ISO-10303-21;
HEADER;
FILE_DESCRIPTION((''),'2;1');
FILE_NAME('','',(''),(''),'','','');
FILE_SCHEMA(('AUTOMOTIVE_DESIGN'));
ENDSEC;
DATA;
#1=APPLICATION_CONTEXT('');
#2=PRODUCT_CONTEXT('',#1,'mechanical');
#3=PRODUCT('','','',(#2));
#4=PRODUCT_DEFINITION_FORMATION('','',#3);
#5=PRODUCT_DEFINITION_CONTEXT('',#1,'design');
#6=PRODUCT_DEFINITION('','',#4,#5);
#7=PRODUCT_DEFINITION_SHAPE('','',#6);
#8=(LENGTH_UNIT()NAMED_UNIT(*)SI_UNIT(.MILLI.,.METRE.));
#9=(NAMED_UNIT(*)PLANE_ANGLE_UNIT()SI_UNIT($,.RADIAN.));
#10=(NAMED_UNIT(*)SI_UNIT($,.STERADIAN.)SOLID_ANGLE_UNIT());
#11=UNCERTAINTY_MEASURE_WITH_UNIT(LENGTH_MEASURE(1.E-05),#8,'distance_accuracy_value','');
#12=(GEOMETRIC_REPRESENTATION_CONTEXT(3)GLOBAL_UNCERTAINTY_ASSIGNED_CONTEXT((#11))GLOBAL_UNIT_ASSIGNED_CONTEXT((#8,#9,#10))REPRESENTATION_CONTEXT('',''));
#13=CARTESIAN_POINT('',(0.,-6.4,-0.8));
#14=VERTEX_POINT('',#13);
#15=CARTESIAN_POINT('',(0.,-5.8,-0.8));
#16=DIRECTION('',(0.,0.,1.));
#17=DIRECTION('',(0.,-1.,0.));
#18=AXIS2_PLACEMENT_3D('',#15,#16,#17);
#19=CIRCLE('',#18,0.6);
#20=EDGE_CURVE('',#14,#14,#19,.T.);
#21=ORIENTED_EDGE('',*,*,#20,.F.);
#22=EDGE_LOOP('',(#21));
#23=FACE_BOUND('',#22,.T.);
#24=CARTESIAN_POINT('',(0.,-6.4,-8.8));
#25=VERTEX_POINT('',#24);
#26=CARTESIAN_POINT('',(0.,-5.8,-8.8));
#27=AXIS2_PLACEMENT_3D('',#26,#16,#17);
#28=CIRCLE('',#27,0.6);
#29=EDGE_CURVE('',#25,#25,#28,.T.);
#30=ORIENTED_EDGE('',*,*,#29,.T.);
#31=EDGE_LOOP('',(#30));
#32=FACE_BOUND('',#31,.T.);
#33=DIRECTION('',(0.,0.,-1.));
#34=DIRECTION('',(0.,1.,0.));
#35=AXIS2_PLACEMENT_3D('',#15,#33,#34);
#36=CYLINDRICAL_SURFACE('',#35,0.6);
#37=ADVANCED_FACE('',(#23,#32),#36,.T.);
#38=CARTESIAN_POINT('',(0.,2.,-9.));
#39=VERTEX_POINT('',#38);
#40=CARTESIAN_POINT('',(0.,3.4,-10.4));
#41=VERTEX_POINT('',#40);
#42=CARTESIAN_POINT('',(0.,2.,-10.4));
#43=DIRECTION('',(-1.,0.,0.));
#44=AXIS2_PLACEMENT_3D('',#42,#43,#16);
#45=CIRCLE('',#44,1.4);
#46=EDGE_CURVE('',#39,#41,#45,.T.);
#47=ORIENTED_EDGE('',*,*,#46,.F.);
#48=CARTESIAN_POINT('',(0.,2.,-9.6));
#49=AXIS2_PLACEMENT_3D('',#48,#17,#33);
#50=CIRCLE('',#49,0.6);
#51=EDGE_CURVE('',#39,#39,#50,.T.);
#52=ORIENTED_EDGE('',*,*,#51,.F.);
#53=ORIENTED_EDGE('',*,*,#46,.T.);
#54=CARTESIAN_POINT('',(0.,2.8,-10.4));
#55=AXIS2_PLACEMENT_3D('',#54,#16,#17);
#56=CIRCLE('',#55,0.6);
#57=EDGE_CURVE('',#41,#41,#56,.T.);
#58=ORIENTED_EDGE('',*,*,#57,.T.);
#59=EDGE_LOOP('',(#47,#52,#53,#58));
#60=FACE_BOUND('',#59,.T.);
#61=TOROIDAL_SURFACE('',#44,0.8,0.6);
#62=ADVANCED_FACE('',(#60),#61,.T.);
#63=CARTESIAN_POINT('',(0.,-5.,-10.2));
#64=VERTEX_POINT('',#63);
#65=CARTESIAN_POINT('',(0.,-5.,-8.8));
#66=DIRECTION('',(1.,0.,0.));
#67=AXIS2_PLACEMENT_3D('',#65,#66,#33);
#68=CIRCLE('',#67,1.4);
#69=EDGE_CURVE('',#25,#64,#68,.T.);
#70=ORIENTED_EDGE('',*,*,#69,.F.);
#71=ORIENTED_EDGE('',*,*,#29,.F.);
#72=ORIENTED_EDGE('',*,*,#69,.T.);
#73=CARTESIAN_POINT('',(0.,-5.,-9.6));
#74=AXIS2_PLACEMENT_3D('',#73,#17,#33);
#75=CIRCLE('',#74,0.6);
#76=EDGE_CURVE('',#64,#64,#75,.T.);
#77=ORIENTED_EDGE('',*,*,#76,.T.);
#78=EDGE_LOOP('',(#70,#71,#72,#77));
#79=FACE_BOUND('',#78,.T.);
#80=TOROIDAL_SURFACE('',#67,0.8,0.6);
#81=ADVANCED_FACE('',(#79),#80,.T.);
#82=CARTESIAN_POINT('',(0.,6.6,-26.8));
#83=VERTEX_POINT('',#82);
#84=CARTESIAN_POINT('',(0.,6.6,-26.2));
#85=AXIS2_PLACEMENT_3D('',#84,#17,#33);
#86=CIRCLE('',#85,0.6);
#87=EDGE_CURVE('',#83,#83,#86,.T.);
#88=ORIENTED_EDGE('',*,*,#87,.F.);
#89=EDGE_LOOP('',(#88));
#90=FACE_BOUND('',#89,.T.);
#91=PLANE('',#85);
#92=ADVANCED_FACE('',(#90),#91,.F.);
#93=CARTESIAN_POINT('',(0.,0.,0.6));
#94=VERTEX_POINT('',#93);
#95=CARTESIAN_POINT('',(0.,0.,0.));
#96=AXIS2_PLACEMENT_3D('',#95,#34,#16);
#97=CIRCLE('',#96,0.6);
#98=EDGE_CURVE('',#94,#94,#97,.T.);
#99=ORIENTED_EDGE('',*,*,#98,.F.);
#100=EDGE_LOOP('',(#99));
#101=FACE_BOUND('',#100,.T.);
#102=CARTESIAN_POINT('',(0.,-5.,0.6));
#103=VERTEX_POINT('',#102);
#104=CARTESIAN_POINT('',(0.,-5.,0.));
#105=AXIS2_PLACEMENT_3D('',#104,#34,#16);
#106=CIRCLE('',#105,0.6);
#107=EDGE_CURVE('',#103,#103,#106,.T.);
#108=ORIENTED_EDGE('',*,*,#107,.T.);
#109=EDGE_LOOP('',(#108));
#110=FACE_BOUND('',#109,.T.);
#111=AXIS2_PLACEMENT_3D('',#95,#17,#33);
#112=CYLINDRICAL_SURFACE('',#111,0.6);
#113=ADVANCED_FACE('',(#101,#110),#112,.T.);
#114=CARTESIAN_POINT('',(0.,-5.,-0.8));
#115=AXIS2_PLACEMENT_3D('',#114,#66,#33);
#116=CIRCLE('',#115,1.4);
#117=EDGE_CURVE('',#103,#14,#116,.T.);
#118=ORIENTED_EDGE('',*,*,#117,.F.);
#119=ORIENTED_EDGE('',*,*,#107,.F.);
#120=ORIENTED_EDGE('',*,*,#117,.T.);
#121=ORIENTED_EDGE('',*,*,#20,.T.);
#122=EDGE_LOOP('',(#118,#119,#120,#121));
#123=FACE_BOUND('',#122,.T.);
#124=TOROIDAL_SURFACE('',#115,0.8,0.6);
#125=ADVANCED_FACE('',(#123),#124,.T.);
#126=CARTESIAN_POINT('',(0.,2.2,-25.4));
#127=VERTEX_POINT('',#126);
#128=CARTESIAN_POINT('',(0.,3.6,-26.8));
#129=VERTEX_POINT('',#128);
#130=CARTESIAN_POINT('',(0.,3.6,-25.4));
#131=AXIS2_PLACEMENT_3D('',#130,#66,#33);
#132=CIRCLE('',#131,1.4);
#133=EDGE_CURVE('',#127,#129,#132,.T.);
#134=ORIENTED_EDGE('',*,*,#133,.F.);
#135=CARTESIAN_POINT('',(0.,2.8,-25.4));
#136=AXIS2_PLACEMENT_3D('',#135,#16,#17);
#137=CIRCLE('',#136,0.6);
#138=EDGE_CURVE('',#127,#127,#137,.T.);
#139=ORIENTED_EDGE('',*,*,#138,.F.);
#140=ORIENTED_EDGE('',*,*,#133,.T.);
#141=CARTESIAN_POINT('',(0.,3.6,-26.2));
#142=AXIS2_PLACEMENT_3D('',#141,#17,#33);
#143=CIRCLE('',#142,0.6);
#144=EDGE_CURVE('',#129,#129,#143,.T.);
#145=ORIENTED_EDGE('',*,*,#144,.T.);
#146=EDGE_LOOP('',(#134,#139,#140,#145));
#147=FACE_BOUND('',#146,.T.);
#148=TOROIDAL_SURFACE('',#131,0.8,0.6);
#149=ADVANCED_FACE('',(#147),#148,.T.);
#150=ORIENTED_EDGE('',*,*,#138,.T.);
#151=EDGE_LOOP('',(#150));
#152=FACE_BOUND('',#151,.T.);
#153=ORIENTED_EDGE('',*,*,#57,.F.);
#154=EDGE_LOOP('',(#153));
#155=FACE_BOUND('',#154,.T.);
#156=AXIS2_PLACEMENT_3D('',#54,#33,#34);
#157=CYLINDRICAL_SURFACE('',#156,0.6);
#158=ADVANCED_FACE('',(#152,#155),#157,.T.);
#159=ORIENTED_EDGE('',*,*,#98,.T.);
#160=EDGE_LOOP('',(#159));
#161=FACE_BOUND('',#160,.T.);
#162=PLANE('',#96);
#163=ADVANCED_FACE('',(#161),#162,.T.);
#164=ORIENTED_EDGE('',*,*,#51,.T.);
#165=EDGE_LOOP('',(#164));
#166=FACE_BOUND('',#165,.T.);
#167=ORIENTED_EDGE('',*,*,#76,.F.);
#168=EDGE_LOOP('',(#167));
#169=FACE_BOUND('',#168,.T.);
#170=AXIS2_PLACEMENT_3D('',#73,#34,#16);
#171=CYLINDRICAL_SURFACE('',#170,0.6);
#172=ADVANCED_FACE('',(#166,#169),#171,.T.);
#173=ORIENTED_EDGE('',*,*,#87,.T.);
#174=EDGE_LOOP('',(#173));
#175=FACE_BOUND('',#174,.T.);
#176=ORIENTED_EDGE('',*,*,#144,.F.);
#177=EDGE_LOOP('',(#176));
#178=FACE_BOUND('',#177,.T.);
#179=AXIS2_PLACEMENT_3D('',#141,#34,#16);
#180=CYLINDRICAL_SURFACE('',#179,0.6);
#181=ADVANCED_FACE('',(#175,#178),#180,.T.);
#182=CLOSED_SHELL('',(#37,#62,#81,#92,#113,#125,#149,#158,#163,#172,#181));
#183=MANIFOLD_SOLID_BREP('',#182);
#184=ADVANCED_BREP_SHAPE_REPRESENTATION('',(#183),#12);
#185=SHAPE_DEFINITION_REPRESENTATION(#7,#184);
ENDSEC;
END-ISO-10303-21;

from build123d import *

# Parameters (mm, degrees)
SWEEP1_PROFILE_R = 0.6


with BuildPart() as part:
    # Sweep1: sweep along a path in Sketch1
    with BuildLine(Plane(origin=(0, 0, 0), x_dir=(0, 0, -1), z_dir=(1, 0, 0))) as sweep1_path:
        Line((0, 0), (0, -5))
        ThreePointArc((0, -5), (0.234314575, -5.565685425), (0.8, -5.8))
        Line((0.8, -5.8), (8.8, -5.8))
        ThreePointArc((8.8, -5.8), (9.365685425, -5.565685425), (9.6, -5))
        Line((9.6, -5), (9.6, 2))
        ThreePointArc((9.6, 2), (9.834314575, 2.565685425), (10.4, 2.8))
        Line((10.4, 2.8), (25.4, 2.8))
        ThreePointArc((25.4, 2.8), (25.965685425, 3.034314575), (26.2, 3.6))
        Line((26.2, 3.6), (26.2, 6.6))
    # Sweep1 profile (on start of the path) → Sweep1 (sweep)
    with BuildSketch(Plane(origin=(0, 0, 0), x_dir=(0, 0, -1), z_dir=(0, -1, 0))):
        Circle(SWEEP1_PROFILE_R)
    sweep(path=sweep1_path.line)


solid = part.part
